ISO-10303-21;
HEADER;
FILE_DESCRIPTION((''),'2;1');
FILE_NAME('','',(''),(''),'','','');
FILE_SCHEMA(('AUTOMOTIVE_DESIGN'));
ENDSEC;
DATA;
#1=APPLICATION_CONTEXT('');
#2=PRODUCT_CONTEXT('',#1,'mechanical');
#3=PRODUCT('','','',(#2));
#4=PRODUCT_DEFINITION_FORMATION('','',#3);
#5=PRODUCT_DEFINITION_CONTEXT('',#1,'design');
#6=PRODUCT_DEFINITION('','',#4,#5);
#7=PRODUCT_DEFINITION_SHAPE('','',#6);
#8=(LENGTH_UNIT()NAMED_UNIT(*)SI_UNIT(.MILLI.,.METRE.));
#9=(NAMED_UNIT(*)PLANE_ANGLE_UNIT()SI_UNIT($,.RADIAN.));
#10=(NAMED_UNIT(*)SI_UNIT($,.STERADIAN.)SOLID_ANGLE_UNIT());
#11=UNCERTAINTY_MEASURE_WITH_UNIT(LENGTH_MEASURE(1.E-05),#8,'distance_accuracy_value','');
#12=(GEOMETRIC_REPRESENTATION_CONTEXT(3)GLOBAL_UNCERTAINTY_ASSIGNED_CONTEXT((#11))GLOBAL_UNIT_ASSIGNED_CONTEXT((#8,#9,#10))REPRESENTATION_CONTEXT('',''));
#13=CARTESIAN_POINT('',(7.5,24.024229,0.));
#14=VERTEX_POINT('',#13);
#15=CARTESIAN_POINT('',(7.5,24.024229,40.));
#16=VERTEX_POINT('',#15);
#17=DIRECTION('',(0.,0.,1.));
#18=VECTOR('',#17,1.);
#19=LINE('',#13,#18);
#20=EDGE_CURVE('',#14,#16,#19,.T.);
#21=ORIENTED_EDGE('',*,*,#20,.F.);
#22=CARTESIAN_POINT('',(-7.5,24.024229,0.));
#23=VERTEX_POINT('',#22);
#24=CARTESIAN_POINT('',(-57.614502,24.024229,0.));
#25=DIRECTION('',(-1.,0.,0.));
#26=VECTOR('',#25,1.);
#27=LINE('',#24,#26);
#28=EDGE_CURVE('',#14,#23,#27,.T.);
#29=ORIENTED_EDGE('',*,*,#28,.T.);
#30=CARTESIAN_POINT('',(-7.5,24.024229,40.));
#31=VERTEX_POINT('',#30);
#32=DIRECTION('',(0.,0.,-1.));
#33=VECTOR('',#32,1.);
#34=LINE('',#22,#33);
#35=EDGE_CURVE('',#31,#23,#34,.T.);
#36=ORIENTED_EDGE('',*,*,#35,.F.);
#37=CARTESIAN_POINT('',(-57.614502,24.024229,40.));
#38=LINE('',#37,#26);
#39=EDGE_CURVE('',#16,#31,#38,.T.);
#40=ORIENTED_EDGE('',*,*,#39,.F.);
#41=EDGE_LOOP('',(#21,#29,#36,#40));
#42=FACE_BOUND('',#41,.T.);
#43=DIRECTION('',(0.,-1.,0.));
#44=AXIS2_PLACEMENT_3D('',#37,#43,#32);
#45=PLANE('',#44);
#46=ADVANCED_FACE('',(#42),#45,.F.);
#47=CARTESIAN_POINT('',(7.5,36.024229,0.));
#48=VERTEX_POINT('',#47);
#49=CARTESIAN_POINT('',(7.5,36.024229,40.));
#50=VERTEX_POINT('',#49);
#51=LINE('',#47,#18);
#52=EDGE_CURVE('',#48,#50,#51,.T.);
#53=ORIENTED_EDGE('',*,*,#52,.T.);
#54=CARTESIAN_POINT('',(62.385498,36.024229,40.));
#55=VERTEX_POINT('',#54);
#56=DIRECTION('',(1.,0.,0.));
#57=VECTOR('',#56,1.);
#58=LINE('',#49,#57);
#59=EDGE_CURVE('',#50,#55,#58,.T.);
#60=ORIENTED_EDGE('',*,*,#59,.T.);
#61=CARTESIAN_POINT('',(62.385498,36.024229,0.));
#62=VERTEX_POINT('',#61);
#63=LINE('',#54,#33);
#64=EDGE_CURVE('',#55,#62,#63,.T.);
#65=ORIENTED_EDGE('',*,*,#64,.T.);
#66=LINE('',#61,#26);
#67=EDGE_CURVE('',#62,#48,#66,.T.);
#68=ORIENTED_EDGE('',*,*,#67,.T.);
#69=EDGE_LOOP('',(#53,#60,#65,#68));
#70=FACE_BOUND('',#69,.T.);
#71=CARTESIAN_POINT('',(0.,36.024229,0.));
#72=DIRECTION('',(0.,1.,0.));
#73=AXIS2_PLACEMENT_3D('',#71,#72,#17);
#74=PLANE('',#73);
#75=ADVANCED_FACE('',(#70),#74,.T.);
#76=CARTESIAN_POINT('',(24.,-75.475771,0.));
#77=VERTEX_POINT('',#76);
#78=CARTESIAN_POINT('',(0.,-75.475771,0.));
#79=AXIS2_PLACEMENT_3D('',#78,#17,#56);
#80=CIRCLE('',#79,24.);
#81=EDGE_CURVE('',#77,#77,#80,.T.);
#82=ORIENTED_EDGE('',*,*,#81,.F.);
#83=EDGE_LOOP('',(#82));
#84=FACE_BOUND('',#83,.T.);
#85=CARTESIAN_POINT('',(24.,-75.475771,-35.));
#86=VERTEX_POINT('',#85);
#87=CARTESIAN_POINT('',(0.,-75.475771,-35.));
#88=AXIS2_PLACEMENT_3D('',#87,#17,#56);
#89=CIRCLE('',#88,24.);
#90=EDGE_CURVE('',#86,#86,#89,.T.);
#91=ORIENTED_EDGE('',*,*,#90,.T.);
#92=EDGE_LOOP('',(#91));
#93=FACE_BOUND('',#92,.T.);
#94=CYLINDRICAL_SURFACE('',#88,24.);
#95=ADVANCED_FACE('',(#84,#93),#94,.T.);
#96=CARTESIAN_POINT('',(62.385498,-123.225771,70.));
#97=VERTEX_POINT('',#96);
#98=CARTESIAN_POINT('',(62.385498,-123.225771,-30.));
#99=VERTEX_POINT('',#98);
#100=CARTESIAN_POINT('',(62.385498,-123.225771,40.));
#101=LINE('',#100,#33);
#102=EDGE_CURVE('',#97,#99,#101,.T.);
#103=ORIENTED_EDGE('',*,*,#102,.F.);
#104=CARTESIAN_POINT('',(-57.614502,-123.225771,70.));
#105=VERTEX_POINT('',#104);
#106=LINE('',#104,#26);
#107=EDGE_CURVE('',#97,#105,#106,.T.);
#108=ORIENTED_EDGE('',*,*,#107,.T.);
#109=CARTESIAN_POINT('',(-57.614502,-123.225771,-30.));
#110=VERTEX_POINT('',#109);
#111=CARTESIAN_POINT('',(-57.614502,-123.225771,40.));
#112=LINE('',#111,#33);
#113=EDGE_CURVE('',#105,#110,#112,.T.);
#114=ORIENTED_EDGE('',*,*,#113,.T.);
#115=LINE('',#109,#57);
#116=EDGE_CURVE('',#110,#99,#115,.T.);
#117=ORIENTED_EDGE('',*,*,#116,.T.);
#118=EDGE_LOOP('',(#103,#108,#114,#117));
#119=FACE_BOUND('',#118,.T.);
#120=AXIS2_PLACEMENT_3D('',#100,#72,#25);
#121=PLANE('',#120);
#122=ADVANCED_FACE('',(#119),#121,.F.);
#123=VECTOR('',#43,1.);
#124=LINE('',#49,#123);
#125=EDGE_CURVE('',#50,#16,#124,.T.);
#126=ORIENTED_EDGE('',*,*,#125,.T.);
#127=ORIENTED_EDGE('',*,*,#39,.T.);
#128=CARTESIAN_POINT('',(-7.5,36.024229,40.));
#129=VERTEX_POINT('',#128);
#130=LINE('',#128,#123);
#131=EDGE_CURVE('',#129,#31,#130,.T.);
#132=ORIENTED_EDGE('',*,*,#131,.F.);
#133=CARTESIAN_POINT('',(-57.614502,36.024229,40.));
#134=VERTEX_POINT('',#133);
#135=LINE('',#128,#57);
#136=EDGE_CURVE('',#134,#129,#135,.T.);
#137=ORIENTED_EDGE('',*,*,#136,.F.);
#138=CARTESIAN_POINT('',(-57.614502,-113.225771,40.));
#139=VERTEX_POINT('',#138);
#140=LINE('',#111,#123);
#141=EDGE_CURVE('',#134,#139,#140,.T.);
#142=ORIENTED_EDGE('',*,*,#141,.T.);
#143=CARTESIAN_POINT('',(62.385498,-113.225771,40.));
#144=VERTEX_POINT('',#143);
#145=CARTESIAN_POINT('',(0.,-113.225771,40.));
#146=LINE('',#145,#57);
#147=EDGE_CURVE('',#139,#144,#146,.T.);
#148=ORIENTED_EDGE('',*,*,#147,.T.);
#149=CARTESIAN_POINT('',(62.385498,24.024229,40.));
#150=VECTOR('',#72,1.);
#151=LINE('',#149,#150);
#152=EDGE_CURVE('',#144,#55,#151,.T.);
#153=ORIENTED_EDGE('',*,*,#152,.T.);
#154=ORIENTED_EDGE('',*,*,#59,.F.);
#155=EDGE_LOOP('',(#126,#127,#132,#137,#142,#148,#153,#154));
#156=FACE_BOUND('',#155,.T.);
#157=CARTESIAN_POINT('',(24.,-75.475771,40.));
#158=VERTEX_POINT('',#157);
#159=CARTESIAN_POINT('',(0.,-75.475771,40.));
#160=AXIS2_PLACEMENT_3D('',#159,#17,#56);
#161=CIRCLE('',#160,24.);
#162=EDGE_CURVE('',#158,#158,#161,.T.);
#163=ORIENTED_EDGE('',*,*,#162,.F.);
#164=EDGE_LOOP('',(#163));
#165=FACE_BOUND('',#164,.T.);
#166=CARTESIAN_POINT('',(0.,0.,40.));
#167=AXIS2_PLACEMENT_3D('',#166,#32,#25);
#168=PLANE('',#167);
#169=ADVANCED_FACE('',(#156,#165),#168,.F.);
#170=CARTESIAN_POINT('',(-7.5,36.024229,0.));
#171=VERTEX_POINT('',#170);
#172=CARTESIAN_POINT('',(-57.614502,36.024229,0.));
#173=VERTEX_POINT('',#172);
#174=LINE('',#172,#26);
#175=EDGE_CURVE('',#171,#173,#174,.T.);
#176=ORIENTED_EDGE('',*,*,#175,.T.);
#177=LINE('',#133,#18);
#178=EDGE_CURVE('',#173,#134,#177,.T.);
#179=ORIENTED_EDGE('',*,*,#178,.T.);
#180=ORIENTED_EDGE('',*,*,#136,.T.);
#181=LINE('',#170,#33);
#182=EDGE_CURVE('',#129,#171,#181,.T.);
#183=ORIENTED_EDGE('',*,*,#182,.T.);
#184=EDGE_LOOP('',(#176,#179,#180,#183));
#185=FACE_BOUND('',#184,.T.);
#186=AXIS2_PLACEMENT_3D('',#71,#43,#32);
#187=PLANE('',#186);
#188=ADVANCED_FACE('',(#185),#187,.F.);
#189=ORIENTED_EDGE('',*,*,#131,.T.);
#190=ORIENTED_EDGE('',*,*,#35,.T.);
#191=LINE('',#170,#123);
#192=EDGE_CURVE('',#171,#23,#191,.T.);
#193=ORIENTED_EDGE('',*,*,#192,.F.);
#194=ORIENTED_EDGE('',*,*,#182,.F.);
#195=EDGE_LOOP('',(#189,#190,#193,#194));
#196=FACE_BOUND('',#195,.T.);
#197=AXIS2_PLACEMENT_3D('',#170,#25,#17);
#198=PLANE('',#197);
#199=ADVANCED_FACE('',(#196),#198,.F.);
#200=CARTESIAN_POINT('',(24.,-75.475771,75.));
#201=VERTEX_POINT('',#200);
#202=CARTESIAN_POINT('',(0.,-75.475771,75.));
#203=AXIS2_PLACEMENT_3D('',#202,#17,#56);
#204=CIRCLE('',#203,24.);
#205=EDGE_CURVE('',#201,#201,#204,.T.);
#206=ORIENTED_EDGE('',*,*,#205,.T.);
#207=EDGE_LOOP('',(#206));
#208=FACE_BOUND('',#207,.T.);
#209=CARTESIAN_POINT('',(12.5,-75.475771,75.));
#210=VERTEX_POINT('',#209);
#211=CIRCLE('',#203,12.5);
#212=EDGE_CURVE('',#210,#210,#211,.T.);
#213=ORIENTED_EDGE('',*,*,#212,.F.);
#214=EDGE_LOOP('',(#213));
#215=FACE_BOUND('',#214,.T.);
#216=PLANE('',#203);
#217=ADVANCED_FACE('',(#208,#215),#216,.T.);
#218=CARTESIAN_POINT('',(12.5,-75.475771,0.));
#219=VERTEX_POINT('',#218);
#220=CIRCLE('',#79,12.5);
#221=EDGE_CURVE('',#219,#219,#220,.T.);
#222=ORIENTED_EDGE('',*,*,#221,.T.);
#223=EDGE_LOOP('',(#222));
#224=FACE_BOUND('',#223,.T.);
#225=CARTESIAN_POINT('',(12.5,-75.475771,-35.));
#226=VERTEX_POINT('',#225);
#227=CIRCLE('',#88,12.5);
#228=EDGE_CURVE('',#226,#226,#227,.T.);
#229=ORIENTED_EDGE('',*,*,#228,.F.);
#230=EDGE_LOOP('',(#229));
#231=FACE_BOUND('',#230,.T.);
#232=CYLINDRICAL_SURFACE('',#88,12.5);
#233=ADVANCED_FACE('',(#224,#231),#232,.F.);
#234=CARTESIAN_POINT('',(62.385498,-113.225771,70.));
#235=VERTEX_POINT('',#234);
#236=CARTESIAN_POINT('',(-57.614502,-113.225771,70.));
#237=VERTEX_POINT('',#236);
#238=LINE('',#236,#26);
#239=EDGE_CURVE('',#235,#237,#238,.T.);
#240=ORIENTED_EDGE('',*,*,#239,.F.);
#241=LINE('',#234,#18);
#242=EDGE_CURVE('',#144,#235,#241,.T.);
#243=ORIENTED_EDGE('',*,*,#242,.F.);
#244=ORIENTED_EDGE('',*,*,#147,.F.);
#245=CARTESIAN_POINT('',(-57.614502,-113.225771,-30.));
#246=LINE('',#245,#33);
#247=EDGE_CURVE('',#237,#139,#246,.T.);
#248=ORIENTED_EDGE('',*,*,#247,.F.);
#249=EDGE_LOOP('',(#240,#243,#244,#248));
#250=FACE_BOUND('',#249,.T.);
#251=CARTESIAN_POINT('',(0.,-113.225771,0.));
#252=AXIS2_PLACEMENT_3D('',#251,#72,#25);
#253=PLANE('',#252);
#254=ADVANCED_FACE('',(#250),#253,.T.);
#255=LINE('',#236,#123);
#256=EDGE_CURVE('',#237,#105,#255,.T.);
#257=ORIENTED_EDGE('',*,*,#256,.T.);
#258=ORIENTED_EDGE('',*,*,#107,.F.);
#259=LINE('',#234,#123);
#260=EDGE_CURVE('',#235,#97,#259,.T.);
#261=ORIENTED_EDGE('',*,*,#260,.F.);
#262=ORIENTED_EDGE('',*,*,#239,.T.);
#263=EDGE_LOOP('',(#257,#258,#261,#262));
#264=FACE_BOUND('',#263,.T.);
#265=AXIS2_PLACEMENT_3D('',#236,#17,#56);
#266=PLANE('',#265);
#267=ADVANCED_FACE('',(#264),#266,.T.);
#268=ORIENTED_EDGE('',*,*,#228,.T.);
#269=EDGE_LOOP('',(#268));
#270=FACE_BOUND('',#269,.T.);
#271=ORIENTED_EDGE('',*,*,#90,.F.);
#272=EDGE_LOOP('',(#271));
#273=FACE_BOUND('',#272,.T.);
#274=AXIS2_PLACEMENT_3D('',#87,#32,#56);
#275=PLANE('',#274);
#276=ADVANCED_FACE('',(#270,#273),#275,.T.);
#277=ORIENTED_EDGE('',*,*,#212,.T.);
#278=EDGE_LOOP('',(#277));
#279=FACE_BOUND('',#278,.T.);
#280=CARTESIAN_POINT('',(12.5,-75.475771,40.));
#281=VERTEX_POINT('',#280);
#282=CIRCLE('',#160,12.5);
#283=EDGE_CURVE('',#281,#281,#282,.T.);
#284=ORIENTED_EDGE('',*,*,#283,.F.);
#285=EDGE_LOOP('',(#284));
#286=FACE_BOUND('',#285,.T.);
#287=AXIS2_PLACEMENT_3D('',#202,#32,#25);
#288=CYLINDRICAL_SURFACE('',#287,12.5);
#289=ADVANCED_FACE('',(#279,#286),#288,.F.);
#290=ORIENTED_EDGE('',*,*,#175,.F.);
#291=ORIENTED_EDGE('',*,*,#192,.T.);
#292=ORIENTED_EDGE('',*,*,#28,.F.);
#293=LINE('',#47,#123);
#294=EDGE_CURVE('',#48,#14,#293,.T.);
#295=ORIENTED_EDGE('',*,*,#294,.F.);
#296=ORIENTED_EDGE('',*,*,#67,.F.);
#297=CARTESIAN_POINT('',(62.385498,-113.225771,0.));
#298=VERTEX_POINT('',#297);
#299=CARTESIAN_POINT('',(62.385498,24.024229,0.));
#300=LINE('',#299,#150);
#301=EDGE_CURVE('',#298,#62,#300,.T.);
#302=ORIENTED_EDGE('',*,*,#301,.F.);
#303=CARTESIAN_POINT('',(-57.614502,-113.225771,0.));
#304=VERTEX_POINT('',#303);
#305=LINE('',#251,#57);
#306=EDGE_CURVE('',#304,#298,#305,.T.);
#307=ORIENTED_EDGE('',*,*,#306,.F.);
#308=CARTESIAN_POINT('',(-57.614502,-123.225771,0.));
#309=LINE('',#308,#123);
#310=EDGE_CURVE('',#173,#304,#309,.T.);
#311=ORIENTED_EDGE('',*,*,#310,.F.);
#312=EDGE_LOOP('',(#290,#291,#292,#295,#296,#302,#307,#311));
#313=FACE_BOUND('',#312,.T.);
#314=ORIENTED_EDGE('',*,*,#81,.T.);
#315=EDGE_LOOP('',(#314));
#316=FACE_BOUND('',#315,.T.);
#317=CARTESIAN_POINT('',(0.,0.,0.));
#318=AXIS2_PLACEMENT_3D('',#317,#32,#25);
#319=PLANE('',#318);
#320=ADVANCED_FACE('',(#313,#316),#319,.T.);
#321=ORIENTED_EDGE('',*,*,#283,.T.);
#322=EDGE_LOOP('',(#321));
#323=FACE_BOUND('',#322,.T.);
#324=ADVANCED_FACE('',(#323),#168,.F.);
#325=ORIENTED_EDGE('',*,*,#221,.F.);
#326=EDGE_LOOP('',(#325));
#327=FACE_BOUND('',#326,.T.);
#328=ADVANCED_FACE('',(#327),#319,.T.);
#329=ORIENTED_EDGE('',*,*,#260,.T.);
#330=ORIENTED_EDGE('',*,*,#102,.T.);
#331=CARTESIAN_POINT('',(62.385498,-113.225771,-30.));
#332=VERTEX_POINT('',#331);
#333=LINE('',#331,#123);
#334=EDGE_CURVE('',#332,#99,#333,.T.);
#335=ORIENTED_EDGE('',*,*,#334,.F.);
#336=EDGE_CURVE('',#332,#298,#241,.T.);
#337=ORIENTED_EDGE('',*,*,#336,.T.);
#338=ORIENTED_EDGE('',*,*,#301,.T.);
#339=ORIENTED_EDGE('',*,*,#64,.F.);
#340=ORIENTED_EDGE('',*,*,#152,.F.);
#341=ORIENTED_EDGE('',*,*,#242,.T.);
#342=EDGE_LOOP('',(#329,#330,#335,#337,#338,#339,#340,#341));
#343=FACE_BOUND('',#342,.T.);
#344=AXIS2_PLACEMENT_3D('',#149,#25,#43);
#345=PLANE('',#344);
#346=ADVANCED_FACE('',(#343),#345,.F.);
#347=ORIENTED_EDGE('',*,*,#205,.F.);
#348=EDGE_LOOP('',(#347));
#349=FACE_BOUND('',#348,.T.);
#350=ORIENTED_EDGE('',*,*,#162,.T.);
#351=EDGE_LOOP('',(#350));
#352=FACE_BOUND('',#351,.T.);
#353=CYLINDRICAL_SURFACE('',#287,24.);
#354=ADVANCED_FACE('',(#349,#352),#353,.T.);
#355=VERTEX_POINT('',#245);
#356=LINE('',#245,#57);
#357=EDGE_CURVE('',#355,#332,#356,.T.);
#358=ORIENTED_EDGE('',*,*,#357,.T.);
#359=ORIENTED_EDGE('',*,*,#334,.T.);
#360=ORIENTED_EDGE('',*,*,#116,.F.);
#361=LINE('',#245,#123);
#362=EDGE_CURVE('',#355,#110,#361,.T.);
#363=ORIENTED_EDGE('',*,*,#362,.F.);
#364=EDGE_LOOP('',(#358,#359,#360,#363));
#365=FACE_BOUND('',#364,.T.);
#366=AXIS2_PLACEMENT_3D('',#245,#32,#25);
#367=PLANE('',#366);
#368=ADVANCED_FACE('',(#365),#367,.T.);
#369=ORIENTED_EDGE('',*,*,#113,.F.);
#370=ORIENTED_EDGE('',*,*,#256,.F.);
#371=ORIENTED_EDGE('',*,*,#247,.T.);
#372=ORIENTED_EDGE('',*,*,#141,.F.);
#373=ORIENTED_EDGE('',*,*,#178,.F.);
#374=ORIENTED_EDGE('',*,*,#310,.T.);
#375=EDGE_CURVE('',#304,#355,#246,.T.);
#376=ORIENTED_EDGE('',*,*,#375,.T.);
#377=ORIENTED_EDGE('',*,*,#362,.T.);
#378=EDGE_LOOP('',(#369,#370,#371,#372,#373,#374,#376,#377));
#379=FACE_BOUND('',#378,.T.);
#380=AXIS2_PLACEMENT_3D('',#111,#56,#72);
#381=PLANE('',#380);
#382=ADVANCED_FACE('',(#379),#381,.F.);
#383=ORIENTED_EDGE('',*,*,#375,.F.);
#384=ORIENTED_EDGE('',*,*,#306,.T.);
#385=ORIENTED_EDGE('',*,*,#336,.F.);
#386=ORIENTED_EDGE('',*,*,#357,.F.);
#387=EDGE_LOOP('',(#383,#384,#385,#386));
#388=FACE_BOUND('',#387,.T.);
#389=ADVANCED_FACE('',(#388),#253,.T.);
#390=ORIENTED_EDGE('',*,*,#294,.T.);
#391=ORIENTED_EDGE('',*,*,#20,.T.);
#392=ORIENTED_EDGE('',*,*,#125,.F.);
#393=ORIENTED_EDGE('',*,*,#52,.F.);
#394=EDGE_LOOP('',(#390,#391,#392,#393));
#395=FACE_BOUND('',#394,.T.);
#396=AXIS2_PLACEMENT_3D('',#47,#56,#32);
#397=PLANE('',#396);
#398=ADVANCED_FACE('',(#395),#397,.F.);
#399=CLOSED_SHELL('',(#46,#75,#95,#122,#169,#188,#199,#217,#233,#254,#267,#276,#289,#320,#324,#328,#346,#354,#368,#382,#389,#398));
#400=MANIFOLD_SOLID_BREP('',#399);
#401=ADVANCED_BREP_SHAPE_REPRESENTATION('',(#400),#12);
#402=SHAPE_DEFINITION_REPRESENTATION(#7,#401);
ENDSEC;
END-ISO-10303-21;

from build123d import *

# Parameters (mm, degrees)
SKETCH_1_W      = 120
SKETCH_1_H      = 147.25
EXTRUDE_1_DEPTH = 40
SKETCH_2_W      = 50.114502488
SKETCH_2_H      = 40
SKETCH_2_W_2    = 54.885497512
EXTRUDE_2_DEPTH = 12
SKETCH_3_R      = 24
SKETCH_3_R_2    = 12.5
EXTRUDE_3_DEPTH = 35
SKETCH_4_W      = 120
SKETCH_4_H      = 100
EXTRUDE_4_DEPTH = 10


with BuildPart() as part:
    # 草图1 → 凸台-拉伸1 (new body)
    with BuildSketch(Plane.XY):
        with Locations((2.385497512, -49.600771144)):
            Rectangle(SKETCH_1_W, SKETCH_1_H)
    extrude(amount=EXTRUDE_1_DEPTH)

    # 草图2 → 凸台-拉伸2 (add)
    with BuildSketch(Plane(origin=(0, 24.024228856, 0), x_dir=(1, 0, 0), z_dir=(0, 1, 0))):
        with Locations((-32.557251244, -20)):
            Rectangle(SKETCH_2_W, SKETCH_2_H)
        with Locations((34.942748756, -20)):
            Rectangle(SKETCH_2_W_2, SKETCH_2_H)
    extrude(amount=EXTRUDE_2_DEPTH)

    # 草图3 → 凸台-拉伸3 (add)
    with BuildSketch(Plane.XY.offset(40)):
        with Locations((0, -75.475771144)):
            Circle(SKETCH_3_R)
        with Locations((0, -75.475771144)):
            Circle(SKETCH_3_R_2, mode=Mode.SUBTRACT)
    extrude_3 = extrude(amount=EXTRUDE_3_DEPTH)

    # 镜向1: 凸台-拉伸3 across plane
    add(extrude_3.mirror(Plane.XY.offset(20)))

    # 草图4 → 凸台-拉伸4 (add)
    with BuildSketch(Plane.XZ.offset(123.225771144)):
        with Locations((2.385497512, 20)):
            Rectangle(SKETCH_4_W, SKETCH_4_H)
    extrude(amount=-EXTRUDE_4_DEPTH)


solid = part.part
